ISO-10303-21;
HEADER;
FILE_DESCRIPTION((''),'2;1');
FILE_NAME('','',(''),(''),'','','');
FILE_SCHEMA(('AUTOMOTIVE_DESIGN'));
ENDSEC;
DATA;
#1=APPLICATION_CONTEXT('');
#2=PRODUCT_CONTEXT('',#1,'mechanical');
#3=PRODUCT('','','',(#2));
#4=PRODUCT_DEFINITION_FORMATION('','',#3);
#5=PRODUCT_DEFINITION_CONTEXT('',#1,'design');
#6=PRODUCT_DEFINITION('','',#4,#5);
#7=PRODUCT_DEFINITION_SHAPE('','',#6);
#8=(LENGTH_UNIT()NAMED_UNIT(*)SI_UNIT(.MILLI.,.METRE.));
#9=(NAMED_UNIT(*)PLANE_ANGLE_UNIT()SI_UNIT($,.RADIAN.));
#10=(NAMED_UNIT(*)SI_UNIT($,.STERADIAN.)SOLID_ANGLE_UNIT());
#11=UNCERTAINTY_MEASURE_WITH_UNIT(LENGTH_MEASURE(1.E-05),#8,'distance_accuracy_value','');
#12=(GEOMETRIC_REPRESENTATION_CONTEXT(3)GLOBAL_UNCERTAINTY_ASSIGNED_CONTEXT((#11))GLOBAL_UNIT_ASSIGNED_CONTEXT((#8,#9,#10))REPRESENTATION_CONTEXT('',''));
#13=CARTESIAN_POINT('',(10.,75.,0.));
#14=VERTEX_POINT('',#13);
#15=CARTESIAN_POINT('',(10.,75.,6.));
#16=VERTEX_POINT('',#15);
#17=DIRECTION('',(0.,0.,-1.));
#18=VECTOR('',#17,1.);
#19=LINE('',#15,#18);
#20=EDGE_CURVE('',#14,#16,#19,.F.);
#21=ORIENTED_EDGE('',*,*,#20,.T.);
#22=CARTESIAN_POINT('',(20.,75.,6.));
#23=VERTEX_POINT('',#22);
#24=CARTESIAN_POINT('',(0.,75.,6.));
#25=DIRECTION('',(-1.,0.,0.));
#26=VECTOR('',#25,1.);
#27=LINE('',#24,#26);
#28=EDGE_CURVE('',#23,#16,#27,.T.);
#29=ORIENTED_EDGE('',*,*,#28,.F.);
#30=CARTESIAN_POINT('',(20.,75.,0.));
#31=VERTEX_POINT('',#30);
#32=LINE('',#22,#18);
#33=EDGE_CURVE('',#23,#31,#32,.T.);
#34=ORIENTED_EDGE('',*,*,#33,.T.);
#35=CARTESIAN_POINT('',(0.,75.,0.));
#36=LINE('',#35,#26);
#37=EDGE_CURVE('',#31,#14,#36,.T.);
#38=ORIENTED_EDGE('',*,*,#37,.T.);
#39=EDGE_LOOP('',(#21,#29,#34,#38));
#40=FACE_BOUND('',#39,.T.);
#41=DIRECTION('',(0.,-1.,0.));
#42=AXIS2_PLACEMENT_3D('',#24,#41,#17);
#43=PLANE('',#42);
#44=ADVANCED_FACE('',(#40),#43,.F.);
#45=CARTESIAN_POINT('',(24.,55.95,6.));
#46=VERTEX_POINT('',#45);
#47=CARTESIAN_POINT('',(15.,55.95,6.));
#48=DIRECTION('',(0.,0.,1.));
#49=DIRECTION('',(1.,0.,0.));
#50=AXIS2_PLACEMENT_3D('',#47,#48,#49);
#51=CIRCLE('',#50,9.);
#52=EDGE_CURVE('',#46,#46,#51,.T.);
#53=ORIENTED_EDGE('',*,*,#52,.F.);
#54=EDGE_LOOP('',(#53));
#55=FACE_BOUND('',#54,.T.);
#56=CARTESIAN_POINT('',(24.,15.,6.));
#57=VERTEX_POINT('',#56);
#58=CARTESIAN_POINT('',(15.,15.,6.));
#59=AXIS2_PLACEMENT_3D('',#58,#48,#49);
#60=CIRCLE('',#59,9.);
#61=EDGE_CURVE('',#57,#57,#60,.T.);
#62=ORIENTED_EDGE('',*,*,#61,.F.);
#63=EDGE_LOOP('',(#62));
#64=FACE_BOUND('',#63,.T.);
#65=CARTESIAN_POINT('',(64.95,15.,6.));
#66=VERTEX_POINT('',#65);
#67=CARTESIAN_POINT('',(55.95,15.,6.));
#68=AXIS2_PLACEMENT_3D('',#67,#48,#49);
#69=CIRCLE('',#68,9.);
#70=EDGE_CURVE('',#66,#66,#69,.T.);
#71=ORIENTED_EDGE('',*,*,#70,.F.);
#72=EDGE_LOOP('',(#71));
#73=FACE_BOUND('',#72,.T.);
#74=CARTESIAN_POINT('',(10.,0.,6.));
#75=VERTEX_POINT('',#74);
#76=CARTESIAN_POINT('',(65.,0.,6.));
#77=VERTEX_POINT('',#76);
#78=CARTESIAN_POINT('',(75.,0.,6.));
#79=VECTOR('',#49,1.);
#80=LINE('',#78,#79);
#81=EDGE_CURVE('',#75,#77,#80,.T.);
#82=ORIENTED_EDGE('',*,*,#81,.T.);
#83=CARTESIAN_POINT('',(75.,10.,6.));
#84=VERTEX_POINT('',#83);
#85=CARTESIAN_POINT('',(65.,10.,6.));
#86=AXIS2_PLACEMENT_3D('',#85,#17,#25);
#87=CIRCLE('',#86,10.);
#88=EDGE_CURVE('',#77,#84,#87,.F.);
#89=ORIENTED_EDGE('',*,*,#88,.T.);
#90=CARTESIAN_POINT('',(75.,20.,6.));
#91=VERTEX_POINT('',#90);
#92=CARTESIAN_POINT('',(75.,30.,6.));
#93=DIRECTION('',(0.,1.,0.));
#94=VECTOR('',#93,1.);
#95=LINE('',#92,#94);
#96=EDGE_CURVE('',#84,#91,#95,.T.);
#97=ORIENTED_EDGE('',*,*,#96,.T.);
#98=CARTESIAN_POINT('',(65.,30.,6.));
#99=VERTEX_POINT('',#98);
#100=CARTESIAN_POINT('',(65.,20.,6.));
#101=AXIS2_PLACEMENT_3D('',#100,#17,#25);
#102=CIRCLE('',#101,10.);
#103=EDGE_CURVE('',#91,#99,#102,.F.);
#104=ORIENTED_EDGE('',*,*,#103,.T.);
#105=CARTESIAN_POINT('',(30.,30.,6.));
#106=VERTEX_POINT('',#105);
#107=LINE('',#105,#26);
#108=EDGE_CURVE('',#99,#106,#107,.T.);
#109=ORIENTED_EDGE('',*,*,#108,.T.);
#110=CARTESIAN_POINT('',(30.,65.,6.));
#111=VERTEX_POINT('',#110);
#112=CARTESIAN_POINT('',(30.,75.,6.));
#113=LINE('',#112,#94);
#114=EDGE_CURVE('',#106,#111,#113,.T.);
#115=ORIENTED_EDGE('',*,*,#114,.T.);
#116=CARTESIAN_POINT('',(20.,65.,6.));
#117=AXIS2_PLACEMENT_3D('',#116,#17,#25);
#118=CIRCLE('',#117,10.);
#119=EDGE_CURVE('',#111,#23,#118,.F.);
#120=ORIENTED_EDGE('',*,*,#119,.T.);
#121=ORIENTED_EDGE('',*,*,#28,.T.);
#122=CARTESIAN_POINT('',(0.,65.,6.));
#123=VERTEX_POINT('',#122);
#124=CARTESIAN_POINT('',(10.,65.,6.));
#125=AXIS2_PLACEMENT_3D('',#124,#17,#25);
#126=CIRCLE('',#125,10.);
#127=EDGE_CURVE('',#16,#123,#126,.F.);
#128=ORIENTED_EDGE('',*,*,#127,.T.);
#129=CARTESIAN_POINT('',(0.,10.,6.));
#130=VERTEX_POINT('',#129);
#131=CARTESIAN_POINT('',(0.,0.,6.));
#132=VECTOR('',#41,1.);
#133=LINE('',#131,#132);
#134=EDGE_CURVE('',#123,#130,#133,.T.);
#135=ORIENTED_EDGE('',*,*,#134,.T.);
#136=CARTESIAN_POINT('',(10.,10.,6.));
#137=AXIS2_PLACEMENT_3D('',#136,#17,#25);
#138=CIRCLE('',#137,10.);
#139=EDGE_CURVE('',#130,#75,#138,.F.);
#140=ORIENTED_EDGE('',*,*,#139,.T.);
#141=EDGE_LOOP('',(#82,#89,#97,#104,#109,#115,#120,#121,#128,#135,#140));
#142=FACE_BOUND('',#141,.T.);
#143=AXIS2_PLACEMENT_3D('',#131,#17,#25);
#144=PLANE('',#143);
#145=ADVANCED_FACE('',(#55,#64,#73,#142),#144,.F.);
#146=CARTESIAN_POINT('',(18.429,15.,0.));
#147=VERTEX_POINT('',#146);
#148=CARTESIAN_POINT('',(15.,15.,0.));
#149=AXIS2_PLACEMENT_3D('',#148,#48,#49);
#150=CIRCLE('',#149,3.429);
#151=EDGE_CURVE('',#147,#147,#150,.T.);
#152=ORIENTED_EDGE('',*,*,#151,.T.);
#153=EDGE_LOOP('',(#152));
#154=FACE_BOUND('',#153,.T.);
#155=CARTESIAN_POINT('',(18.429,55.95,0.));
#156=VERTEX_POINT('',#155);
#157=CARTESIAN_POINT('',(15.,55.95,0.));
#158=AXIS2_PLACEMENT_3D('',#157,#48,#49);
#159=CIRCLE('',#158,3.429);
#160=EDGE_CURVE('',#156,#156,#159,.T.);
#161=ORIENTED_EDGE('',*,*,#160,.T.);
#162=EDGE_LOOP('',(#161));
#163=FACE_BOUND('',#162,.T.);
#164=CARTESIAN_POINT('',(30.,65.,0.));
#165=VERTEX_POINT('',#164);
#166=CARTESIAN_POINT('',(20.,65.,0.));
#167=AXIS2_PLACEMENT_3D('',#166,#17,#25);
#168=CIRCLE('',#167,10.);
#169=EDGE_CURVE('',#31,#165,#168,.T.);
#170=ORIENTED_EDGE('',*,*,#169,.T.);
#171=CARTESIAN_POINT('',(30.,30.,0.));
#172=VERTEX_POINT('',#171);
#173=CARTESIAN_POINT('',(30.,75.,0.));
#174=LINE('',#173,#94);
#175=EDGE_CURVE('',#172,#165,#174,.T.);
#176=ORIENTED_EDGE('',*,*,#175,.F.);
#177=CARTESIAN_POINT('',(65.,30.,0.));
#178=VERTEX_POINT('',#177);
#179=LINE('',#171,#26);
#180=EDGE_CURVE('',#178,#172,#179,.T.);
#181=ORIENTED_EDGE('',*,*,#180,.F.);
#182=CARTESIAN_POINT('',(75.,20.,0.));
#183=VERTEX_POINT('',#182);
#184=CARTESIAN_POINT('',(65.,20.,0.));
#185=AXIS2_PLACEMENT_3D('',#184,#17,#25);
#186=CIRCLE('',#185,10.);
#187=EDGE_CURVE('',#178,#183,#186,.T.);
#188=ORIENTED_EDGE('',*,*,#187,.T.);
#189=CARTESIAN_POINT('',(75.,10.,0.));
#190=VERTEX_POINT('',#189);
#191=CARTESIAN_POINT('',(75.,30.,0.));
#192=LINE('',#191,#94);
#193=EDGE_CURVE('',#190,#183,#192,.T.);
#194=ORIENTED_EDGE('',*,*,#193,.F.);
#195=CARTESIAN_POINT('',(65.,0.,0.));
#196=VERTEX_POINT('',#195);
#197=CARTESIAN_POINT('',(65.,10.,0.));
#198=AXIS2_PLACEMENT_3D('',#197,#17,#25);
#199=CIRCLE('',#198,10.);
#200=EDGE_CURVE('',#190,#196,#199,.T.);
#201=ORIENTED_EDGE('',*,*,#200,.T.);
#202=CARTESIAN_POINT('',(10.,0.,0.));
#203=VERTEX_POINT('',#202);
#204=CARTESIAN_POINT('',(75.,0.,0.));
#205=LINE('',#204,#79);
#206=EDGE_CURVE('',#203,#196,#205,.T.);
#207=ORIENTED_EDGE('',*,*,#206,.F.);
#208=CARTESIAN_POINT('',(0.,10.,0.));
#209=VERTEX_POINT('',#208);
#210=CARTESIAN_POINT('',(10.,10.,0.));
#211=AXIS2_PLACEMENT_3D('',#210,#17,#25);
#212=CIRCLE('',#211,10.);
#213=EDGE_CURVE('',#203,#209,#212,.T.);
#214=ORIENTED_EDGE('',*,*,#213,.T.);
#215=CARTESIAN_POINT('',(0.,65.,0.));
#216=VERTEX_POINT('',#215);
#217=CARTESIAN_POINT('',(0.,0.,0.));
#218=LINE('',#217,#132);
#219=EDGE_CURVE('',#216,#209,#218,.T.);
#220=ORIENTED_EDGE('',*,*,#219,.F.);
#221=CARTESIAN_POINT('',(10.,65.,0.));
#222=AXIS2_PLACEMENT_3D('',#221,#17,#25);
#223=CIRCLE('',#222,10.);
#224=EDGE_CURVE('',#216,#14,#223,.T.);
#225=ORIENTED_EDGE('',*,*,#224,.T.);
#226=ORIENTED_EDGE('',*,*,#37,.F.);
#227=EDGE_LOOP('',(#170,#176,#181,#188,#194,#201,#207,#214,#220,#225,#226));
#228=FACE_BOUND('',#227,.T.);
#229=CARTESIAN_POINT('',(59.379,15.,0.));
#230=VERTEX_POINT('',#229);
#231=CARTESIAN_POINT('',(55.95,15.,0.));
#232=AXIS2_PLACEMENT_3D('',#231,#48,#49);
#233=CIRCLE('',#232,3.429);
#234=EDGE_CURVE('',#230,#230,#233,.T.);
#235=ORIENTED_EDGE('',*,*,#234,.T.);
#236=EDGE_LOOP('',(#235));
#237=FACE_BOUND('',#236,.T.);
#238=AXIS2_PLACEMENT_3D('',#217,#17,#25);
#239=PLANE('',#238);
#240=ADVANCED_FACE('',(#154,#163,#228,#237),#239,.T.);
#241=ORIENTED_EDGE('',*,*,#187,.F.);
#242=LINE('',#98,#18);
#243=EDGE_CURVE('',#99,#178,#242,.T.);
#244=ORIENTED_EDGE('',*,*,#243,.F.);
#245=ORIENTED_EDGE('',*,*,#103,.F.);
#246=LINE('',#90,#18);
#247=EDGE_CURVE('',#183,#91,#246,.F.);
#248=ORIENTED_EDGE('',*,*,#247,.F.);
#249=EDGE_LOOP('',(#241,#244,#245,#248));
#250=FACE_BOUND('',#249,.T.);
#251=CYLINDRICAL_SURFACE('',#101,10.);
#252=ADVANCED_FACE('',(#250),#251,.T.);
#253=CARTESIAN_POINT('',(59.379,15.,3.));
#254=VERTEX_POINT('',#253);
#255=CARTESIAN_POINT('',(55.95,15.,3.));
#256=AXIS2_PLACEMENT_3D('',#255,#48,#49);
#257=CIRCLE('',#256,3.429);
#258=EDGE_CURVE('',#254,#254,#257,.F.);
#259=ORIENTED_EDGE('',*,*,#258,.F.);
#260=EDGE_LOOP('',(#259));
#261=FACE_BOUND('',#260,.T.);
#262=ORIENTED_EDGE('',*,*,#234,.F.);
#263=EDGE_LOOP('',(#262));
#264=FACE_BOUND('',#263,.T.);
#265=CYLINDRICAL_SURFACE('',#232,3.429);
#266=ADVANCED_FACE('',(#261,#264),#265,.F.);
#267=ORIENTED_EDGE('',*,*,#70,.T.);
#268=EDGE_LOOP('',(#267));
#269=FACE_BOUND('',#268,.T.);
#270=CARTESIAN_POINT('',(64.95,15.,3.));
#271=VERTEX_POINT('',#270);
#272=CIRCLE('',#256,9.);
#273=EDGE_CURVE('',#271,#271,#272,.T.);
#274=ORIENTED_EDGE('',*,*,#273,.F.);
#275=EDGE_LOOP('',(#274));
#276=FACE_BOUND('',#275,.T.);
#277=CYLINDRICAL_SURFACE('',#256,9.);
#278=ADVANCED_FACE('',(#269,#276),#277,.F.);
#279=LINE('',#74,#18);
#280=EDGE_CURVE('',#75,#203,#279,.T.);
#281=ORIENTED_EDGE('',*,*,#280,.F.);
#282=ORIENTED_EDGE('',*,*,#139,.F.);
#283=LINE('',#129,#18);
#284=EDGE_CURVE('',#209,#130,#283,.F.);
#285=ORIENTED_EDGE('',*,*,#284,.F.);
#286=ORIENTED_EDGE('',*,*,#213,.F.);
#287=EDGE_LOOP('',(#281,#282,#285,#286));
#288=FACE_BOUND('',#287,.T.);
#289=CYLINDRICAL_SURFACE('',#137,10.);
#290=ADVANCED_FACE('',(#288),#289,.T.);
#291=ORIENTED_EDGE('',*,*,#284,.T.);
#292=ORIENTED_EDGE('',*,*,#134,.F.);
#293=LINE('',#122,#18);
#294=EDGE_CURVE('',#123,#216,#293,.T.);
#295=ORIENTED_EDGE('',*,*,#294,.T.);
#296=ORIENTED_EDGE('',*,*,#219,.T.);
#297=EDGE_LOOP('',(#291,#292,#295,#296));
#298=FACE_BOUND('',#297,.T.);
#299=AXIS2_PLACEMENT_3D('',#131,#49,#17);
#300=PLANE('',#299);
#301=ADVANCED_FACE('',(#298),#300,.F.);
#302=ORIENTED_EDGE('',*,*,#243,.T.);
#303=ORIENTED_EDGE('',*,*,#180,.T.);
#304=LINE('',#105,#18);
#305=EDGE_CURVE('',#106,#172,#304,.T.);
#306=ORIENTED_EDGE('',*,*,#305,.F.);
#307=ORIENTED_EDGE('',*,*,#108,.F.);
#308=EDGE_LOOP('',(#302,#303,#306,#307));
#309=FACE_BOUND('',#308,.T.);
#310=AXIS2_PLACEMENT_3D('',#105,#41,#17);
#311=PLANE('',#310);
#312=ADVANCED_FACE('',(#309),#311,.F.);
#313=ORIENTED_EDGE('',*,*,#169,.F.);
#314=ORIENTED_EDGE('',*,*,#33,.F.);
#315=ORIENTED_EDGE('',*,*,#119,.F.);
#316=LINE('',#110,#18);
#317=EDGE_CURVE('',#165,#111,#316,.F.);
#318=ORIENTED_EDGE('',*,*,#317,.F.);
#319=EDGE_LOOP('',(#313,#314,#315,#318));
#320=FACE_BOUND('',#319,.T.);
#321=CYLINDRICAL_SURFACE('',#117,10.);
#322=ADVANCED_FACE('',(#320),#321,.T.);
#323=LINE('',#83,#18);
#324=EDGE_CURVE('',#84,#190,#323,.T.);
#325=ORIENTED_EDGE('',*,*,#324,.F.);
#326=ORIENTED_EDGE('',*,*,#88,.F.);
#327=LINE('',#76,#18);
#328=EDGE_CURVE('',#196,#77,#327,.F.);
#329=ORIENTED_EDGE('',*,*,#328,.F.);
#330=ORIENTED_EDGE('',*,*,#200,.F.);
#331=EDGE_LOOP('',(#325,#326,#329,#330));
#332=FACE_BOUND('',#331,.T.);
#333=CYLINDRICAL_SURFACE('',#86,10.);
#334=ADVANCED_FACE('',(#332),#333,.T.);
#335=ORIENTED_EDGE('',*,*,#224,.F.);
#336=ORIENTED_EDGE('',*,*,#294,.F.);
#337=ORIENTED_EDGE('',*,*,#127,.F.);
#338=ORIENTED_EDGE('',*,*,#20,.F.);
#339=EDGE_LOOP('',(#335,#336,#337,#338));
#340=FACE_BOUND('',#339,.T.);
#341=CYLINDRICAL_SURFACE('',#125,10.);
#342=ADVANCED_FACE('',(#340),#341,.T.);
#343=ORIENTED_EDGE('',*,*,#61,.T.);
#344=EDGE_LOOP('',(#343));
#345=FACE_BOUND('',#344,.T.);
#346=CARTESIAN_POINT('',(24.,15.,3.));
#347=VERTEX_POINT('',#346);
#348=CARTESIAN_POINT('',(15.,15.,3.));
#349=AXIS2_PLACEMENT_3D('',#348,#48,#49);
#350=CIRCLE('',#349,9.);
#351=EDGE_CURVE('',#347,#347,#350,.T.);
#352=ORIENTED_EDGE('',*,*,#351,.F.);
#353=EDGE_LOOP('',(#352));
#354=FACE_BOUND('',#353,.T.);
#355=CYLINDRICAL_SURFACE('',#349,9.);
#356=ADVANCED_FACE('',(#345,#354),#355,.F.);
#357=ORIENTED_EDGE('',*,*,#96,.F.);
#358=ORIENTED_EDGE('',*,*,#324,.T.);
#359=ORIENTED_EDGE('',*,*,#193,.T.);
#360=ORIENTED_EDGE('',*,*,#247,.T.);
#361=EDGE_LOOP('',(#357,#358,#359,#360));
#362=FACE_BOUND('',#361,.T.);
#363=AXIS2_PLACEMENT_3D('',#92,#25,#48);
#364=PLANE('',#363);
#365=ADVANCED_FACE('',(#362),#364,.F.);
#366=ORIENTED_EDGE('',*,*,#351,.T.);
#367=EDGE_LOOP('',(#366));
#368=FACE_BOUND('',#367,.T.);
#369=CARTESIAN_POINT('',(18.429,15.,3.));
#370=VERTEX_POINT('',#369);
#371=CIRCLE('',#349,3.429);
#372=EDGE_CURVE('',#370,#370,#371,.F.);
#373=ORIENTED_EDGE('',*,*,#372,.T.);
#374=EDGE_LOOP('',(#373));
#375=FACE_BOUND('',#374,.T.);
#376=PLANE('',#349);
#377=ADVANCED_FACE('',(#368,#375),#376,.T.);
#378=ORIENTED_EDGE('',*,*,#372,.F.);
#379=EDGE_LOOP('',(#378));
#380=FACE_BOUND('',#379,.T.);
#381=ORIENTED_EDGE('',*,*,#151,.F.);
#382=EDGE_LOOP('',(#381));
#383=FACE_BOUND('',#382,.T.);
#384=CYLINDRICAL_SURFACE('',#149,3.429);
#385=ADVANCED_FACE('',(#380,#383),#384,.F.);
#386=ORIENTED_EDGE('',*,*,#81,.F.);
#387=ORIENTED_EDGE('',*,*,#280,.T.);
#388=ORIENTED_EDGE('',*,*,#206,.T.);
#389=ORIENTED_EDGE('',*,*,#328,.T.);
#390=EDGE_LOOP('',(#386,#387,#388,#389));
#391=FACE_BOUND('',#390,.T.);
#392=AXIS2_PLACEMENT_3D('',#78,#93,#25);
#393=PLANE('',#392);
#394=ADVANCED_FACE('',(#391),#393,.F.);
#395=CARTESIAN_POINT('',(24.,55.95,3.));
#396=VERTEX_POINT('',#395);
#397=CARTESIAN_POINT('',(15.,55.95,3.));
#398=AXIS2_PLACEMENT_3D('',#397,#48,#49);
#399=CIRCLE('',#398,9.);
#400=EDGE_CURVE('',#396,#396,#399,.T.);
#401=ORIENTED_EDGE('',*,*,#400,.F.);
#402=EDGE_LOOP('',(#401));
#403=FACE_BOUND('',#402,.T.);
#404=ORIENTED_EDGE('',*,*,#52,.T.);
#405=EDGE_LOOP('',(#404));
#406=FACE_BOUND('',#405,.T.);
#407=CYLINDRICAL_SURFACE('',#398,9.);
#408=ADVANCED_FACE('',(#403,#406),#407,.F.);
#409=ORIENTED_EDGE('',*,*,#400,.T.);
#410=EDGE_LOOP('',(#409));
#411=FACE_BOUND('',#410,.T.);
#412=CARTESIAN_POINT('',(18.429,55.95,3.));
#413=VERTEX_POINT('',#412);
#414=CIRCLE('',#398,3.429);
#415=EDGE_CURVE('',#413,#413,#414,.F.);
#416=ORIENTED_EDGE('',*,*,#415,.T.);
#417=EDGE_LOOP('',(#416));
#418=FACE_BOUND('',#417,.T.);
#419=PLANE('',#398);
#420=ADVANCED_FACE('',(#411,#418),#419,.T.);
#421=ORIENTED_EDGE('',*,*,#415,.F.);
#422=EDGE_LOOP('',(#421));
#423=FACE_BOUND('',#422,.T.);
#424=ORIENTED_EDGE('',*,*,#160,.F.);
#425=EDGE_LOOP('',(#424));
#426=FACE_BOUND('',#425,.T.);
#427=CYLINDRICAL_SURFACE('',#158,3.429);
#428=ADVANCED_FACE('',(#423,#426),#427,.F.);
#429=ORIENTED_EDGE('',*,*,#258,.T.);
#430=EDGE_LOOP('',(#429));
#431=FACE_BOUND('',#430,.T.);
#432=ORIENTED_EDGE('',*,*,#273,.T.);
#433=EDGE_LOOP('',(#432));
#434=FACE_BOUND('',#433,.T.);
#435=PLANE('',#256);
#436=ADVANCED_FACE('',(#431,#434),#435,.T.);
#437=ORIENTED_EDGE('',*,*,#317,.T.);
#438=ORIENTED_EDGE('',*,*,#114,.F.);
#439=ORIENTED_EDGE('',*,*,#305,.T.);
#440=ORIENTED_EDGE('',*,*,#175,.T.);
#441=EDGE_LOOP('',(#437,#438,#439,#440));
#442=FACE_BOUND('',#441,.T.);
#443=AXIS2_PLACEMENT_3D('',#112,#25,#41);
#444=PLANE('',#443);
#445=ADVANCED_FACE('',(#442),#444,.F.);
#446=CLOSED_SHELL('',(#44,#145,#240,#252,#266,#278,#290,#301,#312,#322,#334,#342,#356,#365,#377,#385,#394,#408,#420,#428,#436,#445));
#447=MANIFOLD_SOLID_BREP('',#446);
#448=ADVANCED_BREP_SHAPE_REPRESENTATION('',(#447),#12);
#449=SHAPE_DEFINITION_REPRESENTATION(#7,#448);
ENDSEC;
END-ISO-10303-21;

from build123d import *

# Parameters (mm, degrees)
BOSS_EXTRUDE1_DEPTH = 6
SKETCH2_R           = 3.429
CUT_EXTRUDE1_DEPTH  = 107.235587258
SKETCH3_R           = 9
CUT_EXTRUDE2_DEPTH  = 3
FILLET1_R           = 10


with BuildPart() as part:
    # Sketch1 → Boss-Extrude1 (new body)
    with BuildSketch(Plane.XY):
        Polygon((0, 0), (0, 75), (30, 75), (30, 30), (75, 30), (75, 0), align=None)
    extrude(amount=BOSS_EXTRUDE1_DEPTH)

    # Sketch2 → Cut-Extrude1 (cut, through all)
    with BuildSketch(Plane.XY.offset(6)):
        with Locations((15, 15)):
            Circle(SKETCH2_R)
        with Locations((15, 55.95)):
            Circle(SKETCH2_R)
        with Locations((55.95, 15)):
            Circle(SKETCH2_R)
    extrude(amount=-CUT_EXTRUDE1_DEPTH, mode=Mode.SUBTRACT)

    # Sketch3 → Cut-Extrude2 (cut)
    with BuildSketch(Plane.XY.offset(6)):
        with Locations((55.95, 15)):
            Circle(SKETCH3_R)
        with Locations((15, 15)):
            Circle(SKETCH3_R)
        with Locations((15, 55.95)):
            Circle(SKETCH3_R)
    extrude(amount=-CUT_EXTRUDE2_DEPTH, mode=Mode.SUBTRACT)

    # Fillet1
    fillet1_edges = [part.edges().sort_by_distance(p)[0] for p in [
        (0, 0, 3),
        (0, 75, 3),
        (30, 75, 3),
        (75, 30, 3),
        (75, 0, 3),
    ]]
    fillet(fillet1_edges, radius=FILLET1_R)


solid = part.part
